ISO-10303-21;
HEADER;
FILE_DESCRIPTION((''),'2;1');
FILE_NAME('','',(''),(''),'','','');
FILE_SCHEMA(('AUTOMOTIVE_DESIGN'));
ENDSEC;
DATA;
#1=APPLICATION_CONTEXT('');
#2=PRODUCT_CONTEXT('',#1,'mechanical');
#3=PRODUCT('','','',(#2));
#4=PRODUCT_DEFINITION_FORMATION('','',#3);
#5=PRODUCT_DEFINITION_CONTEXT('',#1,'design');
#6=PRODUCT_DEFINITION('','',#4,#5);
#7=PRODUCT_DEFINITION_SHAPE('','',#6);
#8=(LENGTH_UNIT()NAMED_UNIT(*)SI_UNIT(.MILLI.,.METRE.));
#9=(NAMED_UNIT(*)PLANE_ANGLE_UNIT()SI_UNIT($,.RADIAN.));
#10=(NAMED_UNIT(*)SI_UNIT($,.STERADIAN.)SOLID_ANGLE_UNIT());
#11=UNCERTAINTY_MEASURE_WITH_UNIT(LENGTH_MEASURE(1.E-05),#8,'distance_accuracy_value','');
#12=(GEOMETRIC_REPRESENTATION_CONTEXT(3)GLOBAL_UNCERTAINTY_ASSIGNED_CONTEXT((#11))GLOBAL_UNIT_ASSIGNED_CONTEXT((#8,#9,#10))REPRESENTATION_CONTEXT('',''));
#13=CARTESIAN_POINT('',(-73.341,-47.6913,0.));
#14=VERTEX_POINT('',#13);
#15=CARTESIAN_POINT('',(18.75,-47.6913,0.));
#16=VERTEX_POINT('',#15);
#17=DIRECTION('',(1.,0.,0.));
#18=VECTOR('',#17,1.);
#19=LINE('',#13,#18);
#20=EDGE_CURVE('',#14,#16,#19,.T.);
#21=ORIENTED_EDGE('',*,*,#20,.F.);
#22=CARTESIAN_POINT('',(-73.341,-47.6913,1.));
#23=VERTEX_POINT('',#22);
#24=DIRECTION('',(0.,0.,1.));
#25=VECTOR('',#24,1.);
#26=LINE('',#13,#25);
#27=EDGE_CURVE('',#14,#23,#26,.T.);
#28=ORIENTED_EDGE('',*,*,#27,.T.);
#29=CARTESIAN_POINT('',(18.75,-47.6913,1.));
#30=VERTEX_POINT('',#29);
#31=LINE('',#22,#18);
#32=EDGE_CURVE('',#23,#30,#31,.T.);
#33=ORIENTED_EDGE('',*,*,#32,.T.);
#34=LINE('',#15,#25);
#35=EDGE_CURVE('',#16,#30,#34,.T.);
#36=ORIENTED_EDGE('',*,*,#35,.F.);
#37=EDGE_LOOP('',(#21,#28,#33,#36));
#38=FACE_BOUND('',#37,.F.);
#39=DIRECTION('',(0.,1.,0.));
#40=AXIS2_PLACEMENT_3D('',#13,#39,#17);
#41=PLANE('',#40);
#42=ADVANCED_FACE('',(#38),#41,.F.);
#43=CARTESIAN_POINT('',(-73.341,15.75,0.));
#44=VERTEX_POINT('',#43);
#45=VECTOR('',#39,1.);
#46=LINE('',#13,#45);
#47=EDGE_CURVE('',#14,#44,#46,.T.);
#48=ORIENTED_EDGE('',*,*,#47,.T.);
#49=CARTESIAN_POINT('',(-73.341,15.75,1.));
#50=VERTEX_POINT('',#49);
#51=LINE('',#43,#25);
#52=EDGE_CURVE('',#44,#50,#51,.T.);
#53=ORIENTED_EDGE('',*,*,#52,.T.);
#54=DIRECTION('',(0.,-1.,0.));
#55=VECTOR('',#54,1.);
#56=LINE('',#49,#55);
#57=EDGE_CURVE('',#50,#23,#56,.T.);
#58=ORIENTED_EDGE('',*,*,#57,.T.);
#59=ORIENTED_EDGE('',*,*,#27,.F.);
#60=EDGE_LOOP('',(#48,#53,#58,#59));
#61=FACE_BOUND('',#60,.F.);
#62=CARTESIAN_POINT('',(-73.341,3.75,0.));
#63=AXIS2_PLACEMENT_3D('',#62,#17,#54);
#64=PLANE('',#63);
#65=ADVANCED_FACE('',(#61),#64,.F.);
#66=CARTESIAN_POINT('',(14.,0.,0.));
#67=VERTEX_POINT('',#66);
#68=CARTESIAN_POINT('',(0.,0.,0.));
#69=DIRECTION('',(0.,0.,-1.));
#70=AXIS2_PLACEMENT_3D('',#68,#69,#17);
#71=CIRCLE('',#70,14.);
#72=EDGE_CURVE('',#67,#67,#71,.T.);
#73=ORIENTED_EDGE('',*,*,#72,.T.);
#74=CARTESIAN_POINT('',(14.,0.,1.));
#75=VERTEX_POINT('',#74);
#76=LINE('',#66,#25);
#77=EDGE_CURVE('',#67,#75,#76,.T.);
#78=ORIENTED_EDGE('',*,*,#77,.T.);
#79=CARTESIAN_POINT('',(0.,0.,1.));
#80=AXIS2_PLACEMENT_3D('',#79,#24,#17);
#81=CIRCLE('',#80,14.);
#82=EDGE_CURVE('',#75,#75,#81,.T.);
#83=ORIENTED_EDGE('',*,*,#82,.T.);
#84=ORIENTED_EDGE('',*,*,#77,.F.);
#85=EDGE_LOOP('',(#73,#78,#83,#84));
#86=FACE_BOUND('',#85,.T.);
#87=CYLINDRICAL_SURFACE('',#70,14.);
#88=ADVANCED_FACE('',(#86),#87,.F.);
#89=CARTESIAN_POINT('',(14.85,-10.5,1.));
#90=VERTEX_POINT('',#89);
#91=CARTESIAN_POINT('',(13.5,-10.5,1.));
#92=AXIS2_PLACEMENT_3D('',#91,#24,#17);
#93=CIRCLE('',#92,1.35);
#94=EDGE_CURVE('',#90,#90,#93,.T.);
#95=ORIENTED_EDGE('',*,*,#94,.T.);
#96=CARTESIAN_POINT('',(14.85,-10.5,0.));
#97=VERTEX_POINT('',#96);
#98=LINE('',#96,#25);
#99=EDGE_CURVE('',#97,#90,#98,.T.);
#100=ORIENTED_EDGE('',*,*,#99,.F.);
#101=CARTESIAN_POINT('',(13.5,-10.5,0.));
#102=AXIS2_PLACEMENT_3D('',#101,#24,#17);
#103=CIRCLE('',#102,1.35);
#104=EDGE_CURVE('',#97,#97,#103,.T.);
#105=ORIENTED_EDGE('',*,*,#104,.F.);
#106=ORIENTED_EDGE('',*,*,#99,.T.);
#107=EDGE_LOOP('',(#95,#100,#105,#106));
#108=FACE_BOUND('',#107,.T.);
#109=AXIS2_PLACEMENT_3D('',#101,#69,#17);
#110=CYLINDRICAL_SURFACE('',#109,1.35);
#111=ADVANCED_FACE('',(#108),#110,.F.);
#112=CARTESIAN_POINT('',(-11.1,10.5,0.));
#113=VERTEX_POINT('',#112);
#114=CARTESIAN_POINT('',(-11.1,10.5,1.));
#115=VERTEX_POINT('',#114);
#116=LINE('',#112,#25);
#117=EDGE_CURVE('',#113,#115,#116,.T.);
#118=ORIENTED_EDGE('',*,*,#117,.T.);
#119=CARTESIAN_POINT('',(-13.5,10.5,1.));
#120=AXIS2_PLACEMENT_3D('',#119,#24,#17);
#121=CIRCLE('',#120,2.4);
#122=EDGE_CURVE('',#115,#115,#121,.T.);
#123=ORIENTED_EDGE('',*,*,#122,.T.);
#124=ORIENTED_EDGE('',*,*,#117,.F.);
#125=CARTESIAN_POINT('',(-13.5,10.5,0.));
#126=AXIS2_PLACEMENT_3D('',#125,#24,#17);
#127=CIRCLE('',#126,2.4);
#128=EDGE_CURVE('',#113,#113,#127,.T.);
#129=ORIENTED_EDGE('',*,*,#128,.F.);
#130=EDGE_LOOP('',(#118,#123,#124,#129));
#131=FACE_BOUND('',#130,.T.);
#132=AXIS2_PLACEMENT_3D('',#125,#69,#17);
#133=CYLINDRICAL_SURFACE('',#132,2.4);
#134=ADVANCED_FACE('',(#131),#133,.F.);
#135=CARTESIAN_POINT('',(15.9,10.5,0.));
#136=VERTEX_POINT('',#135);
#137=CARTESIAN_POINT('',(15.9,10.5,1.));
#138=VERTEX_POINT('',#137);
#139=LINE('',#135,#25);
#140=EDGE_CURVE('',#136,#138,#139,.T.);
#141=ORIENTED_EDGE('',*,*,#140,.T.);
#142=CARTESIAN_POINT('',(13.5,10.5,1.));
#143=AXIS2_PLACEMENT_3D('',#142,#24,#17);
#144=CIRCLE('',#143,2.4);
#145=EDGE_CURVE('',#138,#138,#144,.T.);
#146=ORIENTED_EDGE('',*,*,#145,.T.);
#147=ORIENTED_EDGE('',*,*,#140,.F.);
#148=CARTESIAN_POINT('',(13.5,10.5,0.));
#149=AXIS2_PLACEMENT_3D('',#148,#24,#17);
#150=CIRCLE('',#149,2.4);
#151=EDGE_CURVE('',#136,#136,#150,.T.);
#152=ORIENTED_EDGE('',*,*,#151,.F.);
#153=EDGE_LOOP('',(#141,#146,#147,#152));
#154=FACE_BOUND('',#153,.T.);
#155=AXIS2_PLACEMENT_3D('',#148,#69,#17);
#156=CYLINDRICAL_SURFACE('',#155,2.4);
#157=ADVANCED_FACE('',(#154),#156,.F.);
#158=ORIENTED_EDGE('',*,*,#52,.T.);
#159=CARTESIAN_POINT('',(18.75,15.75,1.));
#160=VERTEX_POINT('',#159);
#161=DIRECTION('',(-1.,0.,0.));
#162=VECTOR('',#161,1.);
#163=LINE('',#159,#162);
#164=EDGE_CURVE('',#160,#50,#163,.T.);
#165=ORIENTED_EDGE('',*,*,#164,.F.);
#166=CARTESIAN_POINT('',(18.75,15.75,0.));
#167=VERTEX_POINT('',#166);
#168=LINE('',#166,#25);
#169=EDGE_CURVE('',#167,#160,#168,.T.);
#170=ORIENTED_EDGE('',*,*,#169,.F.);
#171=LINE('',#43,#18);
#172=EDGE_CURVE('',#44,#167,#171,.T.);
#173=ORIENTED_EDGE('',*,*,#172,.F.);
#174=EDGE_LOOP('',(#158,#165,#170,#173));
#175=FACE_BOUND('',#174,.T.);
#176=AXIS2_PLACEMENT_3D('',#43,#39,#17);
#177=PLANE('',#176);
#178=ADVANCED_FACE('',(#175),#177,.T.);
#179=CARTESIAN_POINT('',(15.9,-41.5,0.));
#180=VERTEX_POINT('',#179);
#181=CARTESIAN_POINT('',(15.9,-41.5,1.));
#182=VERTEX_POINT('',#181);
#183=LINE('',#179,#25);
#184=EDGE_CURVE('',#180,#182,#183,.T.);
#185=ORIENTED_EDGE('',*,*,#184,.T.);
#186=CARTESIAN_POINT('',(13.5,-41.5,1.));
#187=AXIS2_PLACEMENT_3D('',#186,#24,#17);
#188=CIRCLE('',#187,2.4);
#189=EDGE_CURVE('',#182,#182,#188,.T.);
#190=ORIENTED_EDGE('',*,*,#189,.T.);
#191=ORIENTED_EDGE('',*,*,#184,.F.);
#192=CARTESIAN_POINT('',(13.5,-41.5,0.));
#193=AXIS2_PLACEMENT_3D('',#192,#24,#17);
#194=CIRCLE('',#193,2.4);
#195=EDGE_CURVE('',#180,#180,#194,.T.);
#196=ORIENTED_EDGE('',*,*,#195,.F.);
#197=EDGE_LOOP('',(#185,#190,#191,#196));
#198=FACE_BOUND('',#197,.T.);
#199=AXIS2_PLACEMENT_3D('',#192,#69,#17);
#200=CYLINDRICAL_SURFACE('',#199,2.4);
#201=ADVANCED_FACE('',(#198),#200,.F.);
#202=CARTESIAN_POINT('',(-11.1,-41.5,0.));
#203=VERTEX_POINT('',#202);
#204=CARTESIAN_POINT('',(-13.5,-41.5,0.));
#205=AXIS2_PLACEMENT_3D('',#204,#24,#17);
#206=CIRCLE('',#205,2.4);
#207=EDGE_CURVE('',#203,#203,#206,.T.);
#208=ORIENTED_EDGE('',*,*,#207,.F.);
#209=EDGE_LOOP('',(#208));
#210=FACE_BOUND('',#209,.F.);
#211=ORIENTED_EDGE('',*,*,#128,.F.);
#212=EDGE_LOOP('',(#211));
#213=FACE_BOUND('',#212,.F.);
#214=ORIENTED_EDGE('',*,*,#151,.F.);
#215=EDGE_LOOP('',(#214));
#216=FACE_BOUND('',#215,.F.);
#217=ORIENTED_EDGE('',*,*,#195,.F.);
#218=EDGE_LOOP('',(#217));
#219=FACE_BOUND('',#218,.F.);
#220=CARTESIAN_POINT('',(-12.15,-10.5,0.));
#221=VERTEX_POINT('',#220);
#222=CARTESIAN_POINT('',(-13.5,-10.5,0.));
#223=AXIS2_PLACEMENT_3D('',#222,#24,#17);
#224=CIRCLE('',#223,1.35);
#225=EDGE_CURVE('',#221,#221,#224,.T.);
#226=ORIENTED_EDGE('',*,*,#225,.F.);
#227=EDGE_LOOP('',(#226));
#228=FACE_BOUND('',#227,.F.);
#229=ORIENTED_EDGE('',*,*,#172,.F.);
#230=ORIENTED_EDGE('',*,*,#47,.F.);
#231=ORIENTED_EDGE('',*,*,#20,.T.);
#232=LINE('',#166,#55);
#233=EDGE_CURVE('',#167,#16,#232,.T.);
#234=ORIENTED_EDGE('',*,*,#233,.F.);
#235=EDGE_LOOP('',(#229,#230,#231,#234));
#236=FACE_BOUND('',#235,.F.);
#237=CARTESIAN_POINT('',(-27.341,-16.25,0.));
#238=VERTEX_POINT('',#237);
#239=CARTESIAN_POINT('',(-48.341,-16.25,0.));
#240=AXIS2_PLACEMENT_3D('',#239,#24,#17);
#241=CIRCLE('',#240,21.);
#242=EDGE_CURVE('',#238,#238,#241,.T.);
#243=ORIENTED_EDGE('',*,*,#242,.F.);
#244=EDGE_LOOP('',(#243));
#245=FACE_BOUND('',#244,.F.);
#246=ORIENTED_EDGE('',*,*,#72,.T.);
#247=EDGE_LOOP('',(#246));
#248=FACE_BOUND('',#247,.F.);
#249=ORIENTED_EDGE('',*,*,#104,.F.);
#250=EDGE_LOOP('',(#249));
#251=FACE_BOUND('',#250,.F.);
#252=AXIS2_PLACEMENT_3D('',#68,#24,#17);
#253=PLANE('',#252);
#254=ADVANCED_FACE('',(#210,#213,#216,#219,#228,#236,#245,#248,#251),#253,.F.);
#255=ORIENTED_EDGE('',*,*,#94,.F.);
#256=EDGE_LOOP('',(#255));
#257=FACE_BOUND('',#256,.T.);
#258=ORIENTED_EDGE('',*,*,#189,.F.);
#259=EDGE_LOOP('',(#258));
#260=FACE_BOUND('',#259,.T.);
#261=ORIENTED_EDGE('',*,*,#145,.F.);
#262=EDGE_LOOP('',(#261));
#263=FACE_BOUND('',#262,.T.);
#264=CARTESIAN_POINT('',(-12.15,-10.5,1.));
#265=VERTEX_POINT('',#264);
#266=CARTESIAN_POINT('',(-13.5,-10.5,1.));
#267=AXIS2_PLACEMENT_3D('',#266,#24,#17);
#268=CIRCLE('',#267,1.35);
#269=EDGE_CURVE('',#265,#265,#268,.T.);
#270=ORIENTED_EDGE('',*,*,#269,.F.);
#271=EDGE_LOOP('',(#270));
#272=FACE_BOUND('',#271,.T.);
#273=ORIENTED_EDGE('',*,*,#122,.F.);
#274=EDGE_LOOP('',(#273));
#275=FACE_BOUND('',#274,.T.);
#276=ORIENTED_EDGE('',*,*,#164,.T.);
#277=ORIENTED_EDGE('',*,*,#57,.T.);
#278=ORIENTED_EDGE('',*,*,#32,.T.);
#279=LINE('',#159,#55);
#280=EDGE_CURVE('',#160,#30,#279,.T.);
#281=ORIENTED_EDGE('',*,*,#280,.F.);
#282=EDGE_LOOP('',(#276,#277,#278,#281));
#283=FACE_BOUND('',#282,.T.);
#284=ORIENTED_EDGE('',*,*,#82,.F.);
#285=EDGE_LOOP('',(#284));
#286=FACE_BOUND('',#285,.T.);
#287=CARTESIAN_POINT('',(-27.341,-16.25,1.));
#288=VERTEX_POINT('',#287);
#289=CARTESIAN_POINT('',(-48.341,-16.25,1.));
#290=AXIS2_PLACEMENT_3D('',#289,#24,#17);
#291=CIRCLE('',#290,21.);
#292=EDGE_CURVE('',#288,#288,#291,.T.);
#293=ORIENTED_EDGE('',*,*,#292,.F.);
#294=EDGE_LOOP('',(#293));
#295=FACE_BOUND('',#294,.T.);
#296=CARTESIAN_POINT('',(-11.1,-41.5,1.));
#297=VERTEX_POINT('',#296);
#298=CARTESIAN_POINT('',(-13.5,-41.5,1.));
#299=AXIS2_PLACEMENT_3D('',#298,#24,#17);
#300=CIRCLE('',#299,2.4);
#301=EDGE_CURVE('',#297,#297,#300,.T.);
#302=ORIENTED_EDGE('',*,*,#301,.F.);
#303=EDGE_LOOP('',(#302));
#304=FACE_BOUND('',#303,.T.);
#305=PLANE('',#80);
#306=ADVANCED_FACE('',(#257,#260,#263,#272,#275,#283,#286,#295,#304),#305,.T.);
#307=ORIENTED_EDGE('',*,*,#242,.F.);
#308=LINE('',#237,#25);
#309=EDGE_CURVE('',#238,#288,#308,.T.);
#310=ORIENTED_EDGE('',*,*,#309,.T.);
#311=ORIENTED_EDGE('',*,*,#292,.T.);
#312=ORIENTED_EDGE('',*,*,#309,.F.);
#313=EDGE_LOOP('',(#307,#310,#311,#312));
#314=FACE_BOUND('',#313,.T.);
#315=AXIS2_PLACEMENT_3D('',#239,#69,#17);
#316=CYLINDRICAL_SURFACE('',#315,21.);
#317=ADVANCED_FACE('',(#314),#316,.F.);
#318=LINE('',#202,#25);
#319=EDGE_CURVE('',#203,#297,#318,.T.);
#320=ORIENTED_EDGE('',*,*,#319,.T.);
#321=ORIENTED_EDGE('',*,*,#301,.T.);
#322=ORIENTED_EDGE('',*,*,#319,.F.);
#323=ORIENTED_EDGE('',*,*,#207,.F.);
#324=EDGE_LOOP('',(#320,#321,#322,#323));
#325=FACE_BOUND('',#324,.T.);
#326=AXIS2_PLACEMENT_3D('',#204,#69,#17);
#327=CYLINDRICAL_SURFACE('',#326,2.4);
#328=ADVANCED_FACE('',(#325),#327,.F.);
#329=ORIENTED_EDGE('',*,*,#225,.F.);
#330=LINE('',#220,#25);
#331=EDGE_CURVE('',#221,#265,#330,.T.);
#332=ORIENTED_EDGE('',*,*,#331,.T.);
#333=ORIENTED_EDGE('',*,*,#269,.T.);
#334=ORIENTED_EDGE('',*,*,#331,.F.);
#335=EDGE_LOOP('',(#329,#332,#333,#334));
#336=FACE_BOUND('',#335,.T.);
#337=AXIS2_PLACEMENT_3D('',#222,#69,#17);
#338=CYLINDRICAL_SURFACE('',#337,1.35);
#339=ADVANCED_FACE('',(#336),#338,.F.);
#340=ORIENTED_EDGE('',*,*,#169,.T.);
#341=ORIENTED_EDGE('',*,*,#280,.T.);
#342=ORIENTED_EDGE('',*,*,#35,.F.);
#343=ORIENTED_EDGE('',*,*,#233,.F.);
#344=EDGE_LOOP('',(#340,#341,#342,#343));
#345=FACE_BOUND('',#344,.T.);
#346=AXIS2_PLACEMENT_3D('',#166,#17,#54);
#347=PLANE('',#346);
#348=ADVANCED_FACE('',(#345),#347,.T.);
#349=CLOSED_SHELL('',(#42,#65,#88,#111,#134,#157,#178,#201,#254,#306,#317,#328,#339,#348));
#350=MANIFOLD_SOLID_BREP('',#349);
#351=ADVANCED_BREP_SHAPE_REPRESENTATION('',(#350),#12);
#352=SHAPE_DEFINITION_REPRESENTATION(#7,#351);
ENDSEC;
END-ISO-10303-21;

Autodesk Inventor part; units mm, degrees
ref_plane "YZ Plane" through (0, 0, 0) normal (1, 0, 0) x (0, 1, 0)
ref_plane "XZ Plane" through (0, 0, 0) normal (0, 1, 0) x (-1, 0, 0)
ref_plane "XY Plane" through (0, 0, 0) normal (0, 0, 1) x (1, 0, 0)
sketch "スケッチ1" plane through (0, 0, 0) normal (0, 0, 1) x (1, 0, 0)
  line L0 (14.5843, 13.35) -> (-14.5843, 13.35) projected
  line L1 (-14.5843, 13.35) -> (-16.35, 11.5843) projected
  line L2 (-16.35, 11.5843) -> (-16.35, -42.5843) projected
  line L3 (-16.35, -42.5843) -> (-14.5843, -44.35) projected
  line L4 (-14.5843, -44.35) -> (14.5843, -44.35) projected
  line L5 (14.5843, -44.35) -> (16.35, -42.5843) projected
  line L6 (16.35, -42.5843) -> (16.35, 11.5843) projected
  line L7 (16.35, 11.5843) -> (14.5843, 13.35) projected
  circle A0 centre (-13.5, 10.5) radius 2.4 projected
  circle A1 centre (13.5, -41.5) radius 2.4 projected
  circle A2 centre (-13.5, -41.5) radius 2.4 projected
  circle A3 centre (13.5, -10.5) radius 1.35 projected
  circle A4 centre (-13.5, -10.5) radius 1.35 projected
  circle A5 centre (13.5, 10.5) radius 2.4 projected
  circle A6 centre (0, 0) radius 13 projected
  line L8 (18.75, 15.75) -> (18.75, -47.6913) projected
  line L9 (-83.25, 15.75) -> (16.75, 15.75) projected
  line L10 (-73.341, 13.75) -> (-73.341, 3.75) projected
  line L11 (18.75, 15.75) -> (-73.341, 15.75)
  line L12 (-73.341, 15.75) -> (-73.341, -47.6913)
  line L13 (-73.341, -47.6913) -> (18.75, -47.6913)
  line L14 (18.75, -47.6913) -> (18.75, 15.75)
  line L15 (-52.6233, -21.6557) -> (-51.2333, -20.6912) projected
  arc A7 (-51.2333, -20.6912) -> (-53.5136, -17.4049) centre (-48.341, -16.25) ccw projected
  line L16 (-53.5136, -17.4049) -> (-54.9036, -18.3694) projected
  arc A8 (-54.9036, -18.3694) -> (-54.9539, -18.6477) centre (-54.7896, -18.5337) ccw projected
  line L17 (-54.9539, -18.6477) -> (-52.9016, -21.6054) projected
  arc A9 (-52.9016, -21.6054) -> (-52.6233, -21.6557) centre (-52.7373, -21.4914) ccw projected
  circle A10 centre (-48.341, -16.25) radius 19.7 projected
  circle A11 centre (0, 0) radius 14
  circle A12 centre (-48.341, -16.25) radius 21
  dimension "d0" = 28
  dimension "d1" = 42
extrude "押し出し1" add sketch "スケッチ1" along normal blind 1 contours L7 L6 L5 L4 L3 L2 L1 L0 A11 | L8 L13 L12 L10 L9 L11
